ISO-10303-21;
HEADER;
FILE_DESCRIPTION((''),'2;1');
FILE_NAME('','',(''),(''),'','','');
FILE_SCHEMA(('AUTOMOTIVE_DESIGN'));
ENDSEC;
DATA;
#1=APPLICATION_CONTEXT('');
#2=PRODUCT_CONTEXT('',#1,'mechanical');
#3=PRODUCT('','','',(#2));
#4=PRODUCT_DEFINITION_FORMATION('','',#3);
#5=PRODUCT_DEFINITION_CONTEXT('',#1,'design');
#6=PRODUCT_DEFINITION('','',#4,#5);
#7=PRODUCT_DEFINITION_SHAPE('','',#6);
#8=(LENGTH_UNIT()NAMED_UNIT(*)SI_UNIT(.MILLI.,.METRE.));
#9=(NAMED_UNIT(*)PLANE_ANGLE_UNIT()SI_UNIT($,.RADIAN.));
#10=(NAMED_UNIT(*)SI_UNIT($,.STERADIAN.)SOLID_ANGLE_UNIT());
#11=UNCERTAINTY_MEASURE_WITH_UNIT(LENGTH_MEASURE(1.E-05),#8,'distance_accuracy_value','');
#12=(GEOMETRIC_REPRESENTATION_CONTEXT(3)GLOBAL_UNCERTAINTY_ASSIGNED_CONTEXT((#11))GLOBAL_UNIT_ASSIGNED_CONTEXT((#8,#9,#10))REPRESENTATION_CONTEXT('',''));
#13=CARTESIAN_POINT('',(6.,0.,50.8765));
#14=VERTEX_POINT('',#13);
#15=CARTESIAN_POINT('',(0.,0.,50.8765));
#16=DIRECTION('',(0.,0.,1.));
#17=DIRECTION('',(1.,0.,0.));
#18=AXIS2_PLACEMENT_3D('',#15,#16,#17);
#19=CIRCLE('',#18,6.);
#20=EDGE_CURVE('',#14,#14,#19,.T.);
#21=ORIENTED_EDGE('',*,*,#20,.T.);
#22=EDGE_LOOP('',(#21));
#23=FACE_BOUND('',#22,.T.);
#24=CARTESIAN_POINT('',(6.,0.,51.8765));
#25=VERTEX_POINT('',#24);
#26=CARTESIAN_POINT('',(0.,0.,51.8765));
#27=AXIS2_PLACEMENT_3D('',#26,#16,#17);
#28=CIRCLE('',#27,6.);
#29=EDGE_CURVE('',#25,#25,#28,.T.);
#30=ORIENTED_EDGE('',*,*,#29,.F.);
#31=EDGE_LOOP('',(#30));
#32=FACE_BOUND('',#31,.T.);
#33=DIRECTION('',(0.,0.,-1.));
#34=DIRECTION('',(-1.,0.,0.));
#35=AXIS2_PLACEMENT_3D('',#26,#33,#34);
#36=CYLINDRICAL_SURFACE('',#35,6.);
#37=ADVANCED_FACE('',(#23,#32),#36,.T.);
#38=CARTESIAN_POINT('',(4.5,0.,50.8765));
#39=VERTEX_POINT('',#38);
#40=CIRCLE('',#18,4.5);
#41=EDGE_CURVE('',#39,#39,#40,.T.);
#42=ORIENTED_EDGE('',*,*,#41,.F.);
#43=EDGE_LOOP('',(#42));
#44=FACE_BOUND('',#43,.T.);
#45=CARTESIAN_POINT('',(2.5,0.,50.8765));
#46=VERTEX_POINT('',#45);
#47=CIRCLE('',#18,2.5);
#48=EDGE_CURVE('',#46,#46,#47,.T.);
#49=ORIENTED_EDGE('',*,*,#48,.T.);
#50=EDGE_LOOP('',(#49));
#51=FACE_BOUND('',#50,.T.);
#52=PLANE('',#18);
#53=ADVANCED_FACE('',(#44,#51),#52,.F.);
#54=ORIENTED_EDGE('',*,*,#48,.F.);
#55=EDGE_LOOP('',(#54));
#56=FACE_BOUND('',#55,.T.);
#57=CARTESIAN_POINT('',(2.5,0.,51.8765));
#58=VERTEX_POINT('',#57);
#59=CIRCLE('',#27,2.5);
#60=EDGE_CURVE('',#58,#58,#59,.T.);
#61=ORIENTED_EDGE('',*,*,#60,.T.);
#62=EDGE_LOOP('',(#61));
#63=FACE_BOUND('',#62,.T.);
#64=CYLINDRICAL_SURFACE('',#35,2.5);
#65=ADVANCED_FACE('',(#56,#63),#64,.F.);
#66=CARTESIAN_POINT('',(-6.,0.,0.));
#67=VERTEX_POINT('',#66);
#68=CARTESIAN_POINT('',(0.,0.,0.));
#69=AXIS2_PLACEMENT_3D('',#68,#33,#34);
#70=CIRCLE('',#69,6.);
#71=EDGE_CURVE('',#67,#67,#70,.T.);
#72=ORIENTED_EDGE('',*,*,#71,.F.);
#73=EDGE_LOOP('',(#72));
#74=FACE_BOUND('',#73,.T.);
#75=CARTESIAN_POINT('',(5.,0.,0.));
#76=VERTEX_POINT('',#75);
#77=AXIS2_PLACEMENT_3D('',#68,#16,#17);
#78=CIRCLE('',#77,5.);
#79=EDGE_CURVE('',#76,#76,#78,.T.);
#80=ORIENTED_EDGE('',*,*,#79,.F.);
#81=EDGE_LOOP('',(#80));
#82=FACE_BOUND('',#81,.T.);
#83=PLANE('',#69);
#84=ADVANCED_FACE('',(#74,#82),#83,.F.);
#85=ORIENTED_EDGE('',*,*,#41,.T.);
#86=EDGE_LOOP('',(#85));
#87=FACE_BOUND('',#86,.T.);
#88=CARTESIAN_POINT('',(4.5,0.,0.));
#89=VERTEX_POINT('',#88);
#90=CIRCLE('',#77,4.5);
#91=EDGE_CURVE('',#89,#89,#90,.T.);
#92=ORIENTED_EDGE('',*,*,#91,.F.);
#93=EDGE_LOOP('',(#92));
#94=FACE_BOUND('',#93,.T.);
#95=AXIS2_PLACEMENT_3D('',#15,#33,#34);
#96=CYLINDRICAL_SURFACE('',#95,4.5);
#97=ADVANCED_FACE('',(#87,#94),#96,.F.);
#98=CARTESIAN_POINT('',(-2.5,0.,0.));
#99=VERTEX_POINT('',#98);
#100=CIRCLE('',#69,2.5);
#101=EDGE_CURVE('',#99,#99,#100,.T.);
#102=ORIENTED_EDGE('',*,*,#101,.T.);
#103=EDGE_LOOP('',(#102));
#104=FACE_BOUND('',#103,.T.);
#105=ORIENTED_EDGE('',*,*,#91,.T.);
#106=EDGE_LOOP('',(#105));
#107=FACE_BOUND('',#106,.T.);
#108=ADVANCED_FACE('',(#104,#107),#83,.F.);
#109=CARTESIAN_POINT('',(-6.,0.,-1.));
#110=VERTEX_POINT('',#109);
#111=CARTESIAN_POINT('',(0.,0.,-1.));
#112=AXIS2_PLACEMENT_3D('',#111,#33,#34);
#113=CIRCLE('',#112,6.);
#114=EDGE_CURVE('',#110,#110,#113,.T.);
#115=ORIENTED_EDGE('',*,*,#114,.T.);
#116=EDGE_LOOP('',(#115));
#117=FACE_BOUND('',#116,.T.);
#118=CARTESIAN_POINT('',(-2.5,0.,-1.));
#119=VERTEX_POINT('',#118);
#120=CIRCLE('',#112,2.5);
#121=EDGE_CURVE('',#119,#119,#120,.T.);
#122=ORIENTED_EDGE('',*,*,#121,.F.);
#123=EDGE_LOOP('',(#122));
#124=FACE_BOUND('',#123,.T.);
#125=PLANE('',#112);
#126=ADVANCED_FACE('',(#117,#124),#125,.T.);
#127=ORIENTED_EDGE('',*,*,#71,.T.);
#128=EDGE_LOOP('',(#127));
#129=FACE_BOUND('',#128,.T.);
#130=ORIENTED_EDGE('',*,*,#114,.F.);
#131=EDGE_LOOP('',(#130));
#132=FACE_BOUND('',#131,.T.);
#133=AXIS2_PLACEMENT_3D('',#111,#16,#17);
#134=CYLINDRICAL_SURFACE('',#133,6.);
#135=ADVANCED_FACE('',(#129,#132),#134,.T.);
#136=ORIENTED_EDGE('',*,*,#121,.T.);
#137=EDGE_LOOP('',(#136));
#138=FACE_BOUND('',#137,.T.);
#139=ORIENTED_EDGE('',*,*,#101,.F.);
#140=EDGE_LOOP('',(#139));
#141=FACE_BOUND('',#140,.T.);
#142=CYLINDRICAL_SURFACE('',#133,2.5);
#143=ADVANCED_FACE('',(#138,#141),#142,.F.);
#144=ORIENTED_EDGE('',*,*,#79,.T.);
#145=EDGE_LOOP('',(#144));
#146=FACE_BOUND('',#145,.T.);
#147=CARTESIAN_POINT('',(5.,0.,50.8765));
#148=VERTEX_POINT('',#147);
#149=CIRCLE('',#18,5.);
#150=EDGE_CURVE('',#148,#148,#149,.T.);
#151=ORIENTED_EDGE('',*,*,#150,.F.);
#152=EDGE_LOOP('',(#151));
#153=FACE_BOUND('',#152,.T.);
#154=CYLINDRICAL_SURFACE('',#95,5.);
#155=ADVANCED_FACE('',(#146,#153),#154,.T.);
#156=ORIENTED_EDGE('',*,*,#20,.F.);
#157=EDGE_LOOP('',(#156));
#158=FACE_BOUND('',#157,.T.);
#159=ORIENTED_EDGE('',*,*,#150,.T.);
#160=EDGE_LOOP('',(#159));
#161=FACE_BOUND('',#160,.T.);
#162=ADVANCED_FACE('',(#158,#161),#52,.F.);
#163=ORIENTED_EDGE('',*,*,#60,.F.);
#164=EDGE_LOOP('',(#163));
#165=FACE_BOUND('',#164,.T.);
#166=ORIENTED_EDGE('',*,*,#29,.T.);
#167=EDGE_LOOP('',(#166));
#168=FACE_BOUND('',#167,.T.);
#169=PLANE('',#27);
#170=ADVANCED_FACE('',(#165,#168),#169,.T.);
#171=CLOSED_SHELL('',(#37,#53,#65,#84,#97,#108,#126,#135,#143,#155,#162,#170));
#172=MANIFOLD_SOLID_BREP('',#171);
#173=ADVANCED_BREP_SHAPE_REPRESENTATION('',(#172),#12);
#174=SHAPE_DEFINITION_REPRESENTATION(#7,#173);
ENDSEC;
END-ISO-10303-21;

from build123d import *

# Parameters (mm, degrees)
SKETCH1_R           = 5
SKETCH1_R_2         = 4.5
BOSS_EXTRUDE1_DEPTH = 50.87650029
SKETCH2_R           = 6
SKETCH2_R_2         = 2.5
BOSS_EXTRUDE2_DEPTH = 1
SKETCH3_R           = 6
SKETCH3_R_2         = 2.5
BOSS_EXTRUDE3_DEPTH = 1


with BuildPart() as part:
    # Sketch1 → Boss-Extrude1 (new body)
    with BuildSketch(Plane.XY):
        Circle(SKETCH1_R)
        Circle(SKETCH1_R_2, mode=Mode.SUBTRACT)
    extrude(amount=BOSS_EXTRUDE1_DEPTH)

    # Sketch2 → Boss-Extrude2 (add)
    with BuildSketch(Plane(origin=(0, 0, 0), x_dir=(-1, 0, 0), z_dir=(0, 0, -1))):
        Circle(SKETCH2_R)
        Circle(SKETCH2_R_2, mode=Mode.SUBTRACT)
    extrude(amount=BOSS_EXTRUDE2_DEPTH)

    # Sketch3 → Boss-Extrude3 (add)
    with BuildSketch(Plane.XY.offset(50.87650029)):
        Circle(SKETCH3_R)
        Circle(SKETCH3_R_2, mode=Mode.SUBTRACT)
    extrude(amount=BOSS_EXTRUDE3_DEPTH)


solid = part.part
